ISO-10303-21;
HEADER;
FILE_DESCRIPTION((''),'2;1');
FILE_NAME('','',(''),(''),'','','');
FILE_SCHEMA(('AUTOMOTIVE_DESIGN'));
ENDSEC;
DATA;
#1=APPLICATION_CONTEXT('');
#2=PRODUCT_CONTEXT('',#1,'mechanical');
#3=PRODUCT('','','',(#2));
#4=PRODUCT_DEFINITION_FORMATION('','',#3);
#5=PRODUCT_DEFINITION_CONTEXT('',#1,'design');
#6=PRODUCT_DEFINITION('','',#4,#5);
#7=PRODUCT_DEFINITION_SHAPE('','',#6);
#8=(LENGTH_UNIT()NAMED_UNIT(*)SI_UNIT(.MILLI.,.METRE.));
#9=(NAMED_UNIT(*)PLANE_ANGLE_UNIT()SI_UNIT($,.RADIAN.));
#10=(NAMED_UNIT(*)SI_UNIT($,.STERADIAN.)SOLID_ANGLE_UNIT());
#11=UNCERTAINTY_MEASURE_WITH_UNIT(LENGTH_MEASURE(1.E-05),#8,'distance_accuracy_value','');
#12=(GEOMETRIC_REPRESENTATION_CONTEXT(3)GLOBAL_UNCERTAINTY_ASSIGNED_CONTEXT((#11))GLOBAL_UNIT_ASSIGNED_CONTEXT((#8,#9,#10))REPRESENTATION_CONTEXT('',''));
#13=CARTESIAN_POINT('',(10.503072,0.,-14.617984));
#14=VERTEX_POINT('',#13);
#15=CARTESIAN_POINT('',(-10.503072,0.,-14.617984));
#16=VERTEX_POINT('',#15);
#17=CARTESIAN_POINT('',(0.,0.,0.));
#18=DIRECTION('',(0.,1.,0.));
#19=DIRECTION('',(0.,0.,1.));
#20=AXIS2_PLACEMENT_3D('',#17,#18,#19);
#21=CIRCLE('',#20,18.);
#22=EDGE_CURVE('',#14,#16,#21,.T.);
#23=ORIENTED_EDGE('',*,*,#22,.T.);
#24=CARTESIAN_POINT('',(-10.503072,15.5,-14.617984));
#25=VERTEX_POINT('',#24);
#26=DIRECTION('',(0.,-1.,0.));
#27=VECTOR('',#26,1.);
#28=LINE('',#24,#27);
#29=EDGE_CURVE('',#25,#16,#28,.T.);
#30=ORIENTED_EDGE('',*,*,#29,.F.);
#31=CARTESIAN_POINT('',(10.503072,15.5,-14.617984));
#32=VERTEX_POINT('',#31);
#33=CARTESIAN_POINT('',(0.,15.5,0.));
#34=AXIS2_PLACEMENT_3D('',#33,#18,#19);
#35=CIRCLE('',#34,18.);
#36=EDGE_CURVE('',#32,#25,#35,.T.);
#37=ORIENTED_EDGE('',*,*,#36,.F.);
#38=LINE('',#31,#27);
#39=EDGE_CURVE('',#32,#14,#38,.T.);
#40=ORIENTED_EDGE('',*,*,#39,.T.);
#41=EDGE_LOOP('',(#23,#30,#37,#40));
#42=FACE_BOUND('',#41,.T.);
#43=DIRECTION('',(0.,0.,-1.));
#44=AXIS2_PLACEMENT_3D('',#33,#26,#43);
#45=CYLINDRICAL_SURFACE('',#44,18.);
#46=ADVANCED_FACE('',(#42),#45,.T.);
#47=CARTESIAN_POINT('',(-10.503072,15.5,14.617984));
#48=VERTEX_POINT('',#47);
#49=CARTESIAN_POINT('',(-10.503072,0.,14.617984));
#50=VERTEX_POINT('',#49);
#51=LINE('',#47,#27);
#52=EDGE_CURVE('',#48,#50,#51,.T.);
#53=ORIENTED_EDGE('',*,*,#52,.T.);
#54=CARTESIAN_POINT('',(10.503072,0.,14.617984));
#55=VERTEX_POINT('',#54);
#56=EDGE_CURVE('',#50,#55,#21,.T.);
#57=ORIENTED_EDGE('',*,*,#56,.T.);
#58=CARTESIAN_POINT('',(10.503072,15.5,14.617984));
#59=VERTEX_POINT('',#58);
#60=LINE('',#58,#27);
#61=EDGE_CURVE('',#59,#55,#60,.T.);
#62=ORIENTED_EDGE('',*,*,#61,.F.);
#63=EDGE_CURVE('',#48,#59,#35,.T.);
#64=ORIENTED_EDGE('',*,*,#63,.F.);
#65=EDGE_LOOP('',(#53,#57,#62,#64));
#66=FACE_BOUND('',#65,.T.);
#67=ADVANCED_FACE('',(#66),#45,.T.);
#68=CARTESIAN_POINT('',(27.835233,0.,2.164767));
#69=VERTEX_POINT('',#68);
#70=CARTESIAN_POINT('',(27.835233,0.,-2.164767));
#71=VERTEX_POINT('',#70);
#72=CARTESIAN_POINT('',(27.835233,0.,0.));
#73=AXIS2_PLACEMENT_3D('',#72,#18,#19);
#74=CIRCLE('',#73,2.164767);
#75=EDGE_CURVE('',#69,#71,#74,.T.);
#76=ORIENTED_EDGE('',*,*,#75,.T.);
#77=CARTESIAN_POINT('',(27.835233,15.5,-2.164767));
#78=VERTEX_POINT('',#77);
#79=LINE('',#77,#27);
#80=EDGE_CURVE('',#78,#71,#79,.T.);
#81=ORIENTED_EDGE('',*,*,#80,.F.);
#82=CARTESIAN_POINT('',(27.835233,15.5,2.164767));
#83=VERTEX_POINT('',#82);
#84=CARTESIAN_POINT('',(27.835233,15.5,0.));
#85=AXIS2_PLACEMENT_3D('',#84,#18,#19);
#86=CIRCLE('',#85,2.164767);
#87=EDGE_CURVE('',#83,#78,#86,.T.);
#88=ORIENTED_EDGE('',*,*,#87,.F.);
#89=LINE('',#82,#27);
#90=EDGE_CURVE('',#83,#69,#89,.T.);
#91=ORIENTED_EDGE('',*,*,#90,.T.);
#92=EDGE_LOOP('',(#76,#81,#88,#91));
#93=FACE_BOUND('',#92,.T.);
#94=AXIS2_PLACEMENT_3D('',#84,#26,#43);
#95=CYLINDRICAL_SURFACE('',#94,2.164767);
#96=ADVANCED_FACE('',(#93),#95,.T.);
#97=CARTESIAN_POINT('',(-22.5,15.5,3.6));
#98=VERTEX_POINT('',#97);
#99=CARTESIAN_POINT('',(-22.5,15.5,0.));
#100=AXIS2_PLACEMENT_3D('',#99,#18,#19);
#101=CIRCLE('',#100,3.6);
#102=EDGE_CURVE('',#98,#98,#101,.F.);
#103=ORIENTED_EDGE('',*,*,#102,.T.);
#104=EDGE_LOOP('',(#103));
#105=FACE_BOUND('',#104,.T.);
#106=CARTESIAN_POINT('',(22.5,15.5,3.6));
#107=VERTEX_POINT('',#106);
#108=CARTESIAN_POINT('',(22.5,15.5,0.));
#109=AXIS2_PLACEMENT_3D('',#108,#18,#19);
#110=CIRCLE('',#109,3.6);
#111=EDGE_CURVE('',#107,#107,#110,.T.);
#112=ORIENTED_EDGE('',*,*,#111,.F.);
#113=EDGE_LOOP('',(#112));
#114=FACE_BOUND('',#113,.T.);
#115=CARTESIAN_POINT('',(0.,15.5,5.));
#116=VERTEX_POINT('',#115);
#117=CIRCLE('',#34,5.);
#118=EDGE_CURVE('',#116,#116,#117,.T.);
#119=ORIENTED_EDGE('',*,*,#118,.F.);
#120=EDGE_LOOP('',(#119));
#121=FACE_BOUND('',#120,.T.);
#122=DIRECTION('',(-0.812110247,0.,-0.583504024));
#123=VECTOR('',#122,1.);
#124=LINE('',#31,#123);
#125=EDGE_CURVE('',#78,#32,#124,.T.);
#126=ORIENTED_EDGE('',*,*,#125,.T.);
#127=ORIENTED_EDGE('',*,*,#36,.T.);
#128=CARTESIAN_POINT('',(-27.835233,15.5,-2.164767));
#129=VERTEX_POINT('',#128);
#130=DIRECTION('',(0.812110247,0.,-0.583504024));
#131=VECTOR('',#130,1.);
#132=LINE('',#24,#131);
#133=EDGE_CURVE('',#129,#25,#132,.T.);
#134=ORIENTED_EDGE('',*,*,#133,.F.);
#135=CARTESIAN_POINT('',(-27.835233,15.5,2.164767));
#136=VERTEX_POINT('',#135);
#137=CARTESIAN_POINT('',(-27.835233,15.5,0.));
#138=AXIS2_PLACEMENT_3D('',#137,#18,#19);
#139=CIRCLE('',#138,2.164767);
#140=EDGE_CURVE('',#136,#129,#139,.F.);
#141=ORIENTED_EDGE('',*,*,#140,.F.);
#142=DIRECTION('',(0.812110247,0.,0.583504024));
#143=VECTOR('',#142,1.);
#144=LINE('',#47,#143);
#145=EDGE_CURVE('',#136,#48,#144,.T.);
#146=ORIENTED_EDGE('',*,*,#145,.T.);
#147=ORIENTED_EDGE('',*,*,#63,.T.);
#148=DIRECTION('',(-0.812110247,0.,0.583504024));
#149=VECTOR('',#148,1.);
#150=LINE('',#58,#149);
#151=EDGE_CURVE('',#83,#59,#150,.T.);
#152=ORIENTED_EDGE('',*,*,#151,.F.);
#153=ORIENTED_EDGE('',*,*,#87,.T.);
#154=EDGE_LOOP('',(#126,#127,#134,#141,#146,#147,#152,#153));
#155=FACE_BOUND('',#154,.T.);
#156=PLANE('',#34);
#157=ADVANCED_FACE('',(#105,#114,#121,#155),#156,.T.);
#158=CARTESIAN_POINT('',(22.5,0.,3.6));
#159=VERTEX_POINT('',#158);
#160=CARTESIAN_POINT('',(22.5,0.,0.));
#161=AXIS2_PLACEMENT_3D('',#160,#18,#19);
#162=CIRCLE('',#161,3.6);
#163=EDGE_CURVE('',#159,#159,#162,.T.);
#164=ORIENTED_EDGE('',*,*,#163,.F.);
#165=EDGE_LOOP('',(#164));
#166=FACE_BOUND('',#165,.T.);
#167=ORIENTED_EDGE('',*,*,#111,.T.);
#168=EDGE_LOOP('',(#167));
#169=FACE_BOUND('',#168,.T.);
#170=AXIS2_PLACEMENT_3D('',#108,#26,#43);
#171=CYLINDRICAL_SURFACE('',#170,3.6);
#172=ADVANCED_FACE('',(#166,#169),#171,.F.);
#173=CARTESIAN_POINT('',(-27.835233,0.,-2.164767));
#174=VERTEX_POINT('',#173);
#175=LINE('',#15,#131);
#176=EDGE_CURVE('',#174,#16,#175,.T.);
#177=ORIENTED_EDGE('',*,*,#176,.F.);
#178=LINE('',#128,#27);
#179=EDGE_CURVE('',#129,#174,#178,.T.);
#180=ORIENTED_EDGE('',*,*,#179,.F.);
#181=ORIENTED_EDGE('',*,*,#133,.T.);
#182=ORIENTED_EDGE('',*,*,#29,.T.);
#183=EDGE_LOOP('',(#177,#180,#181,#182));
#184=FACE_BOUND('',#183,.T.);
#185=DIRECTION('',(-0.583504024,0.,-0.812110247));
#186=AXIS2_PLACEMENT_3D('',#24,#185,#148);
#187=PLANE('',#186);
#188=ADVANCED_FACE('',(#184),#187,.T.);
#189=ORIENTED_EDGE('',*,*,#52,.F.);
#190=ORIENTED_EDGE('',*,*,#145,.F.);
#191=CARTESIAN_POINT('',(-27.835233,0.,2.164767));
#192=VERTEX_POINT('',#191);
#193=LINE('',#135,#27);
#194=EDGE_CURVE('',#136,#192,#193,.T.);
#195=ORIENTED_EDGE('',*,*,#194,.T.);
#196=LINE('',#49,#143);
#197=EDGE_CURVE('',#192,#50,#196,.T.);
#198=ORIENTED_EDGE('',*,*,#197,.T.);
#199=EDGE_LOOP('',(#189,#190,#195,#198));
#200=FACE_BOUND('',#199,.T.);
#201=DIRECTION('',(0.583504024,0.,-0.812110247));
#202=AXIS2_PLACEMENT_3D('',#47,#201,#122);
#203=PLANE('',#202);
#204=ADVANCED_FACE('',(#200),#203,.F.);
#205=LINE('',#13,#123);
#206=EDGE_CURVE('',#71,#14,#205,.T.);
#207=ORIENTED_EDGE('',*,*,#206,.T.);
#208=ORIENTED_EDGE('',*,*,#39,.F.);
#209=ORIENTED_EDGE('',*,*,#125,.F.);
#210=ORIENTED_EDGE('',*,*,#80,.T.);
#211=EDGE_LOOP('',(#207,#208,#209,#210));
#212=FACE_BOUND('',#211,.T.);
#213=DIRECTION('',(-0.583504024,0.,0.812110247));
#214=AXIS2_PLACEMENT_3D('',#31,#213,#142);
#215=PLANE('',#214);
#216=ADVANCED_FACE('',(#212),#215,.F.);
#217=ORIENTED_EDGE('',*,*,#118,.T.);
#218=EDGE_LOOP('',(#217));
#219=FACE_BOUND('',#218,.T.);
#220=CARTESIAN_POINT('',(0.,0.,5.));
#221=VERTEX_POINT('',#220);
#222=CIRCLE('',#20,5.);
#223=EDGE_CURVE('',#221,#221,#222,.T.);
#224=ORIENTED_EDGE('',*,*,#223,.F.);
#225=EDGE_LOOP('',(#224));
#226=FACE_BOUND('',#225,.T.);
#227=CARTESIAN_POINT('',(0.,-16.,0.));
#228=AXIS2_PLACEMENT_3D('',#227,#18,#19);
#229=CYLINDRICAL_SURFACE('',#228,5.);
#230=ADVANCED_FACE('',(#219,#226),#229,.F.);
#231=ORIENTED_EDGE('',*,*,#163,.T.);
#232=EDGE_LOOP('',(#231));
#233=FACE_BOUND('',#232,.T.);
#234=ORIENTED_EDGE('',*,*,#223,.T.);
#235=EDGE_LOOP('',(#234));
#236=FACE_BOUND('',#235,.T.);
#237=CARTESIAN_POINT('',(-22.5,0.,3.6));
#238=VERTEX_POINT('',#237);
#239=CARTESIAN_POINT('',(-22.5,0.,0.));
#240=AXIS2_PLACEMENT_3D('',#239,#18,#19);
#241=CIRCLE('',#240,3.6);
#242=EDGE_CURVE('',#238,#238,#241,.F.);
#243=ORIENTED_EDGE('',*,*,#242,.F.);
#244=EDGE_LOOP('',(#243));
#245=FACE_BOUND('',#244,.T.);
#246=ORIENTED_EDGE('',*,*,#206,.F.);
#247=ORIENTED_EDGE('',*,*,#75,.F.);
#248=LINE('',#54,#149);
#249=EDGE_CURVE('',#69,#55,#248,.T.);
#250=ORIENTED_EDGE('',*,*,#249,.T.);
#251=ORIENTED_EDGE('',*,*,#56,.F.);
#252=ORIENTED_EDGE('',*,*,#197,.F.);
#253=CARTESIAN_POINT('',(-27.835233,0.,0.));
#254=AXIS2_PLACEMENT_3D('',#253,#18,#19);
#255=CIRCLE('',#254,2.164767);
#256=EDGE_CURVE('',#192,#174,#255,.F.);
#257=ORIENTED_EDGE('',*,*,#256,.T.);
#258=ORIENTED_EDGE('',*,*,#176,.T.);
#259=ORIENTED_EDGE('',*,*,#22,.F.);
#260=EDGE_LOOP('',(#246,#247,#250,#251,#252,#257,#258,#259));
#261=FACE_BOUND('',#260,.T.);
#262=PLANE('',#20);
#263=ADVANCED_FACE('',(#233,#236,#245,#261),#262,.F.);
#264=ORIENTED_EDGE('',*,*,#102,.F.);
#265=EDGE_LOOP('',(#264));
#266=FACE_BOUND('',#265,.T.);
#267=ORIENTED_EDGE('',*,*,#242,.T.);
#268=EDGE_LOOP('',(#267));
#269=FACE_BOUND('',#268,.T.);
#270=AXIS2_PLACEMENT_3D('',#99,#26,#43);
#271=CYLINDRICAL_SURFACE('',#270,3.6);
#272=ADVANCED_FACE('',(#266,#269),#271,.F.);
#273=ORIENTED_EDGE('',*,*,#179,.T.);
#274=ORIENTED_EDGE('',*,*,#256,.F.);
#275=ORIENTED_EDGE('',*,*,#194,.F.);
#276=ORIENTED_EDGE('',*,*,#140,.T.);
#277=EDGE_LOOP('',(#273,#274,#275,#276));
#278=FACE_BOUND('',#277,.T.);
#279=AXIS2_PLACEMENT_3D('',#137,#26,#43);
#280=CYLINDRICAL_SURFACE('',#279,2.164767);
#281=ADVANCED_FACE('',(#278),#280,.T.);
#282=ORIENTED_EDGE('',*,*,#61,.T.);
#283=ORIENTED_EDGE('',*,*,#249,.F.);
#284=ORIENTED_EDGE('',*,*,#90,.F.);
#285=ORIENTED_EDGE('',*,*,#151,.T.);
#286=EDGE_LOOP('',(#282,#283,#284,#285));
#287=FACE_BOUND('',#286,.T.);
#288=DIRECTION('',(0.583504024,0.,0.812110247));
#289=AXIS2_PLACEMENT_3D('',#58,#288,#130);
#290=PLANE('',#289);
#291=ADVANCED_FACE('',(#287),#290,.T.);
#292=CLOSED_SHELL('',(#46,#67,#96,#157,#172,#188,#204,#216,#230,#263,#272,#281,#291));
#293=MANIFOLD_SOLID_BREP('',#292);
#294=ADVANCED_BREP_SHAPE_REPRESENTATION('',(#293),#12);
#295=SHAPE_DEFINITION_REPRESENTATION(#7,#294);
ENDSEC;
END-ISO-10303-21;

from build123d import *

# Parameters (mm, degrees)
SKETCH_1_R          = 3.6
EXTRUDE_1_DEPTH     = 15.5
SKETCH_2_R          = 5
CUT_EXTRUDE_1_DEPTH = 31.5


with BuildPart() as part:
    # 草图1 → 凸台-拉伸1 (new body)
    with BuildSketch(Plane(origin=(0, 0, 0), x_dir=(1, 0, 0), z_dir=(0, 1, 0))):
        with BuildLine():
            Line((27.835232693, 2.164767307), (10.503072433, 14.617984453))
            ThreePointArc((10.503072433, 14.617984453), (0, 18), (-10.503072433, 14.617984453))
            Line((-10.503072433, 14.617984453), (-27.835232693, 2.164767307))
            ThreePointArc((-27.835232693, 2.164767307), (-30, 0), (-27.835232693, -2.164767307))
            Line((-27.835232693, -2.164767307), (-10.503072433, -14.617984453))
            ThreePointArc((-10.503072433, -14.617984453), (0, -18), (10.503072433, -14.617984453))
            Line((10.503072433, -14.617984453), (27.835232693, -2.164767307))
            ThreePointArc((27.835232693, -2.164767307), (30, 0), (27.835232693, 2.164767307))
        make_face()
        with Locations(Location((-22.5, 0, 0), (0, 0, 270))):
            Circle(SKETCH_1_R, mode=Mode.SUBTRACT)
        with Locations(Location((22.5, 0, 0), (0, 0, 270))):
            Circle(SKETCH_1_R, mode=Mode.SUBTRACT)
    extrude(amount=EXTRUDE_1_DEPTH)

    # 草图2 → 切除-拉伸1 (cut)
    with BuildSketch(Plane(origin=(0, 15.5, 0), x_dir=(1, 0, 0), z_dir=(0, 1, 0))):
        with Locations(Location((0, 0, 0), (0, 0, 270))):
            Circle(SKETCH_2_R)
    extrude(amount=-CUT_EXTRUDE_1_DEPTH, mode=Mode.SUBTRACT)


solid = part.part
